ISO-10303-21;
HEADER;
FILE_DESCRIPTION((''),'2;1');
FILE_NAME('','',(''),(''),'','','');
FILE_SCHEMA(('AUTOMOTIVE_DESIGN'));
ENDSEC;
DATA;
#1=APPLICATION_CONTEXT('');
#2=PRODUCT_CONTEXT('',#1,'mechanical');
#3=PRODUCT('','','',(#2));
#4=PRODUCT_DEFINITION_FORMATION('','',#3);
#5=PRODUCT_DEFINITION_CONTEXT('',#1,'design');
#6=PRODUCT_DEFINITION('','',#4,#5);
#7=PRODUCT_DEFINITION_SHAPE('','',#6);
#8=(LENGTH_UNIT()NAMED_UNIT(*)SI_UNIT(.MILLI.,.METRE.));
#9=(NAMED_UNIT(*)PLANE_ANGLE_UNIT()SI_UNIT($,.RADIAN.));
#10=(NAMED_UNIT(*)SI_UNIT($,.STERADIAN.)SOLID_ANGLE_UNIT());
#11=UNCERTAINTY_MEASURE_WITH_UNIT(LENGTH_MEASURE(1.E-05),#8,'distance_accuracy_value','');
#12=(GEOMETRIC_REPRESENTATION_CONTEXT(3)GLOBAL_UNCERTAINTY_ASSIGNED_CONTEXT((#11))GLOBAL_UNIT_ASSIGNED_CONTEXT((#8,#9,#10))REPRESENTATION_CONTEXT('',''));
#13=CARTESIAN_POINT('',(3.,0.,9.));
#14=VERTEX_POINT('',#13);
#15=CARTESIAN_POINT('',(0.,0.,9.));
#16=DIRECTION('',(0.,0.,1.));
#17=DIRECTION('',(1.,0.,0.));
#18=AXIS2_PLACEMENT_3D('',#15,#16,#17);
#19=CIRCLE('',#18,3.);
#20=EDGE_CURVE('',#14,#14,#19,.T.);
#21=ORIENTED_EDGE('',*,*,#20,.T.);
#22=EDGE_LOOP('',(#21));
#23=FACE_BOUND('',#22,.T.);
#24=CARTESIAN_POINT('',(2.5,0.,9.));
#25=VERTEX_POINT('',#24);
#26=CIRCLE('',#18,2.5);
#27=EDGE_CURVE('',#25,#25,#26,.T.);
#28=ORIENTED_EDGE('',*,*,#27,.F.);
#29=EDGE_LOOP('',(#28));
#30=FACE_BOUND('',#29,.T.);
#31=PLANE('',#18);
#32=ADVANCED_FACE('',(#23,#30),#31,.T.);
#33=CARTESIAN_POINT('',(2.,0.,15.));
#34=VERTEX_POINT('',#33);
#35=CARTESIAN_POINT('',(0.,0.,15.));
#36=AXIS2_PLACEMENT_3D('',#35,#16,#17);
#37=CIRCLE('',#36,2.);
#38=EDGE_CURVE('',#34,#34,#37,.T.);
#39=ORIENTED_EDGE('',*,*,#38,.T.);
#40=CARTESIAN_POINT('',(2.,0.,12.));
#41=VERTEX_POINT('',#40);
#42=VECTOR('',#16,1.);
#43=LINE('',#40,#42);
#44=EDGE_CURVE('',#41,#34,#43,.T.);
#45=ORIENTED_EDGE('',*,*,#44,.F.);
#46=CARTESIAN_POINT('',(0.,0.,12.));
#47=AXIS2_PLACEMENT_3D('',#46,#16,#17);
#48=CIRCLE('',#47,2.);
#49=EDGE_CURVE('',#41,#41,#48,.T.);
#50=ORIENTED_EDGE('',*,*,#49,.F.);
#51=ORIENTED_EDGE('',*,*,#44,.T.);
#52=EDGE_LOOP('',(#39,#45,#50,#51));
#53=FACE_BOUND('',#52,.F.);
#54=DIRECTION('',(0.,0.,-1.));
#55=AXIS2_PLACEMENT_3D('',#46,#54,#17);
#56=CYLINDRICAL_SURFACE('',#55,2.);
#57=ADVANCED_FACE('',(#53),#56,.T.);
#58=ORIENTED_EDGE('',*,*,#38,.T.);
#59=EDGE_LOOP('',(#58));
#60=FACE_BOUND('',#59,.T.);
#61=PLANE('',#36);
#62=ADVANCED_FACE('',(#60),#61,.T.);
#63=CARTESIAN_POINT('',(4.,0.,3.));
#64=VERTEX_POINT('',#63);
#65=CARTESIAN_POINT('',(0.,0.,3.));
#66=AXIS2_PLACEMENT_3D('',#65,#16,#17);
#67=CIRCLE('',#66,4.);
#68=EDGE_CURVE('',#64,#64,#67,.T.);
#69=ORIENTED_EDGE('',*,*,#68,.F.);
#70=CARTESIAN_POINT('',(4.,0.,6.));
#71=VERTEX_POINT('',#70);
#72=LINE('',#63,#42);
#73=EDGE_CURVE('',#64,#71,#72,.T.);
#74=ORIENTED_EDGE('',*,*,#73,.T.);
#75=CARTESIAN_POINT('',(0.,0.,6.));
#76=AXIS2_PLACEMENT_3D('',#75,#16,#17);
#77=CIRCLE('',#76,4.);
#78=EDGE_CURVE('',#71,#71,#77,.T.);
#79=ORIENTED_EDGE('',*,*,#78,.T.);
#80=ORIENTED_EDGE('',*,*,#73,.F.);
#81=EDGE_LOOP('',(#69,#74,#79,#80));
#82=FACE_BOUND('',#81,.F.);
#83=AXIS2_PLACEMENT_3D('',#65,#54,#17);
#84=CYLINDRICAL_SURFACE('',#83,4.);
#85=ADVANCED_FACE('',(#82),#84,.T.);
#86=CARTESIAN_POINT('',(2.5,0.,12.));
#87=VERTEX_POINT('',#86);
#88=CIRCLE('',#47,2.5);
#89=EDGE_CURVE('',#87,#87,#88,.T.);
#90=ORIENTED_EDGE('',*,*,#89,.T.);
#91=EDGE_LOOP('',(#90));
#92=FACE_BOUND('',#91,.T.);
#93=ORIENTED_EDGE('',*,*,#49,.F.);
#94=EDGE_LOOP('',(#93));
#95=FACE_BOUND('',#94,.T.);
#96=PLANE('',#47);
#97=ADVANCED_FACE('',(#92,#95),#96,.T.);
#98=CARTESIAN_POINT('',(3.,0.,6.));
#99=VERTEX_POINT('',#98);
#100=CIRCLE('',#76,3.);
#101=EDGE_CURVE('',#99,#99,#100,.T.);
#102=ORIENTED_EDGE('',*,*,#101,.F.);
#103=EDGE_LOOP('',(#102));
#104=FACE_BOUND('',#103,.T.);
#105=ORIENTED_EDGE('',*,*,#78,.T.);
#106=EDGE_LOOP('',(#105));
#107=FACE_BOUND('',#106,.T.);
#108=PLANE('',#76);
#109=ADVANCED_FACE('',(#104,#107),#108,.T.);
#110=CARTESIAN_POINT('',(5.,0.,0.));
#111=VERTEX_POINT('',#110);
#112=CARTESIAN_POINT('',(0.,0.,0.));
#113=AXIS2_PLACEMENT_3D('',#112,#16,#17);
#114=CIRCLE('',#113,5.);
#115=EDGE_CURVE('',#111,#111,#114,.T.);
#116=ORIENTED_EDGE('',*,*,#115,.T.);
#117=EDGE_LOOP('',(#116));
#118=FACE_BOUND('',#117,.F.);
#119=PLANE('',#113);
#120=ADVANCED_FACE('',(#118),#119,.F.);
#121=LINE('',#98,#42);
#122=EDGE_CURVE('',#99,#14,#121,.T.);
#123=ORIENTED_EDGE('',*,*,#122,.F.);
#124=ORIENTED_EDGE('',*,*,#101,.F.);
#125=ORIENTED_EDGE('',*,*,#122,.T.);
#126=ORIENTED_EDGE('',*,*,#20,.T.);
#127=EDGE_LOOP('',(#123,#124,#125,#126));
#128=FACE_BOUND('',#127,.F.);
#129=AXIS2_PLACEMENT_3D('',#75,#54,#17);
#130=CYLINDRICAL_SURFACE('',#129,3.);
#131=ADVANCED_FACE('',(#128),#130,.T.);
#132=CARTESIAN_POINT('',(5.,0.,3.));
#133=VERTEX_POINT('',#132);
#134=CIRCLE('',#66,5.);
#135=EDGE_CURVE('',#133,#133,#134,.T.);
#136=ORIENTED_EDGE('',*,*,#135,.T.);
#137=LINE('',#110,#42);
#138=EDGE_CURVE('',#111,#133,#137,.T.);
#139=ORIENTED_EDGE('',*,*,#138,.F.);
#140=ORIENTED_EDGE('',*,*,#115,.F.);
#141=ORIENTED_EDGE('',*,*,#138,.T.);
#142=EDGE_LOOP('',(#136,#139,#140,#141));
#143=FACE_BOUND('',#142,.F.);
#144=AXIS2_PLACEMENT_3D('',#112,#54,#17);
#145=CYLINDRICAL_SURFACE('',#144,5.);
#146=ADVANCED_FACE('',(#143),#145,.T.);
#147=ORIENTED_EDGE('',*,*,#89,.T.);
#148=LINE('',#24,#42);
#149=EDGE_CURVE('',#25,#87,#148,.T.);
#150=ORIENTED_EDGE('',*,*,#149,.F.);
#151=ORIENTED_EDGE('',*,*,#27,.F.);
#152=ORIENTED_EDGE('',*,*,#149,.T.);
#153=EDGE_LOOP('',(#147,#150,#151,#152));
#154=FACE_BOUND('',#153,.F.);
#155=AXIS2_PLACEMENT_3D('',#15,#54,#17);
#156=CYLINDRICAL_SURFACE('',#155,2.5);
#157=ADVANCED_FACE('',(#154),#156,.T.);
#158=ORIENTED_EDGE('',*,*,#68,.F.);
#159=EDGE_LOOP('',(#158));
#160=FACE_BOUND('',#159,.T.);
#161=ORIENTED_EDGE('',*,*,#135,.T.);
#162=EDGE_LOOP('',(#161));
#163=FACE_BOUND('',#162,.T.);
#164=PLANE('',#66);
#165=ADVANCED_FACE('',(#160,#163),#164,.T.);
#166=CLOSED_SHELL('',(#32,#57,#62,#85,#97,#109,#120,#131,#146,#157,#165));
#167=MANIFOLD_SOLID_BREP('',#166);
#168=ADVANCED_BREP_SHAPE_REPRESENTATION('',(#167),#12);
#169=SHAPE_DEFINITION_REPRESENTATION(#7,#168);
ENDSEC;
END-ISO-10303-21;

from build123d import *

# Parameters (mm, degrees)
F0_R     = 5
F1_DEPTH = 3
F2_R     = 4
F3_DEPTH = 3
F4_R     = 3
F5_DEPTH = 3
F6_R     = 2.5
F7_DEPTH = 3
F8_R     = 2
F9_DEPTH = 3


with BuildPart() as f1:
    # F0 (on Top) → F1 (new body)
    with BuildSketch(Plane.XY):
        Circle(F0_R)
    extrude(amount=F1_DEPTH)

    # F2 (on face) → F3 (join)
    with BuildSketch(Plane.XY.offset(3)):
        Circle(F2_R)
    extrude(amount=F3_DEPTH)

    # F4 (on face) → F5 (join)
    with BuildSketch(Plane.XY.offset(6)):
        Circle(F4_R)
    extrude(amount=F5_DEPTH)

    # F6 (on face) → F7 (join)
    with BuildSketch(Plane.XY.offset(9)):
        Circle(F6_R)
    extrude(amount=F7_DEPTH)

    # F8 (on face) → F9 (join)
    with BuildSketch(Plane.XY.offset(12)):
        Circle(F8_R)
    extrude(amount=F9_DEPTH)


solid = f1.part
